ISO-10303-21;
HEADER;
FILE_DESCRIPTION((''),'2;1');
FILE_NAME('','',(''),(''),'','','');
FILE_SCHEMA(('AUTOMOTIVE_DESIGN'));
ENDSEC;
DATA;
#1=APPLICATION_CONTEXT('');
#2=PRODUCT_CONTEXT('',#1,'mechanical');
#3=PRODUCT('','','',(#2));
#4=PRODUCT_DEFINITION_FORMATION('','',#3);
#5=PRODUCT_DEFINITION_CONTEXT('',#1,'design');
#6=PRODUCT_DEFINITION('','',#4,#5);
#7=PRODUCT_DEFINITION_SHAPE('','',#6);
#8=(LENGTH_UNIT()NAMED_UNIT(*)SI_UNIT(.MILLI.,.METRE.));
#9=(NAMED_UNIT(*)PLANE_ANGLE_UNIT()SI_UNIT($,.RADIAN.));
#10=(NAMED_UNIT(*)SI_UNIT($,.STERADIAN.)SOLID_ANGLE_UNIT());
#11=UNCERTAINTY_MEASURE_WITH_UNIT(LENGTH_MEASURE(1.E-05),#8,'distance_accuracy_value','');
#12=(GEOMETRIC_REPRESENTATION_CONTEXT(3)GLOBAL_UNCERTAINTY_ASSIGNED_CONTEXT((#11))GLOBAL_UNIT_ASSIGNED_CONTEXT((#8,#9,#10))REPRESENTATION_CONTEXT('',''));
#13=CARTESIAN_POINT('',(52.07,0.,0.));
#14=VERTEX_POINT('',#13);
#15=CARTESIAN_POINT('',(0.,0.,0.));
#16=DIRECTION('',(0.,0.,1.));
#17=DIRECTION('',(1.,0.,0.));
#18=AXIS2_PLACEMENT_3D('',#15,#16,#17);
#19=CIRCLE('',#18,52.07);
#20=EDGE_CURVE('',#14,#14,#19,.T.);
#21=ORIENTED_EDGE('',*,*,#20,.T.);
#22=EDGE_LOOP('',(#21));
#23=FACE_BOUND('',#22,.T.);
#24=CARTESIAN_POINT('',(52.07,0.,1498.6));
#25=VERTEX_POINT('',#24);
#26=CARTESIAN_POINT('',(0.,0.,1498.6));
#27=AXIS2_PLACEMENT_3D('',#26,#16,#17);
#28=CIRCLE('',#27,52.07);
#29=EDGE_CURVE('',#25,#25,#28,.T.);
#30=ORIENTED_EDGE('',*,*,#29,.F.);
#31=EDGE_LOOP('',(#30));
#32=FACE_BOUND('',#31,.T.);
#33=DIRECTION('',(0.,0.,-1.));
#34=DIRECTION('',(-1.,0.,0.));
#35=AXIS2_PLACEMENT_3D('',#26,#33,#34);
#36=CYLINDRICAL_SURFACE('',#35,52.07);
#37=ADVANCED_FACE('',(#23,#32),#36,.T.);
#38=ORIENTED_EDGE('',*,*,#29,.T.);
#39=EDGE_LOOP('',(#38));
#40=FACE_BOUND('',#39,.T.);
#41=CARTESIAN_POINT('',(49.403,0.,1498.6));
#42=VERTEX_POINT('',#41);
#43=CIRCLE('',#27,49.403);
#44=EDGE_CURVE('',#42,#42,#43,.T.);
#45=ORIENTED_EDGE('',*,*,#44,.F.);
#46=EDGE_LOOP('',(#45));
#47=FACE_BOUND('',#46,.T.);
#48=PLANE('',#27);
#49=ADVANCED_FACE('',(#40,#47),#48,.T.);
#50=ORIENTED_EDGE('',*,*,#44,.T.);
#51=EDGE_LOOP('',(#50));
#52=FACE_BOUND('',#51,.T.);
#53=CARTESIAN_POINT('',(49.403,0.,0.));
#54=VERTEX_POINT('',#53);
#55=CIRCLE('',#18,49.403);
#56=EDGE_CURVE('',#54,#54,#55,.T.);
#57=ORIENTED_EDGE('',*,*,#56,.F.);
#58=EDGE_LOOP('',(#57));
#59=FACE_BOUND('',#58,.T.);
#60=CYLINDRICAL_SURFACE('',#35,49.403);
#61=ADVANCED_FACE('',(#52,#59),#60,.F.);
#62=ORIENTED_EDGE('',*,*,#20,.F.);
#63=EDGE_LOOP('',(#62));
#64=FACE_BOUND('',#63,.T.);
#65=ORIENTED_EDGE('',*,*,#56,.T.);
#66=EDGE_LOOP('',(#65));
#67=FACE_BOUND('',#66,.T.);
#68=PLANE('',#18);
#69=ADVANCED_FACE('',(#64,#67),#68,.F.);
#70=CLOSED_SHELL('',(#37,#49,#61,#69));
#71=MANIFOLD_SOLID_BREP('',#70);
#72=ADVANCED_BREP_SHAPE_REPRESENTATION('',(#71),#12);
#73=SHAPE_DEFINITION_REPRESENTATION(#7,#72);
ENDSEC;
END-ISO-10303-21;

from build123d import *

# Parameters (mm, degrees)
SKETCH1_R           = 52.07
SKETCH1_R_2         = 49.403
BOSS_EXTRUDE1_DEPTH = 1498.6


with BuildPart() as part:
    # Sketch1 → Boss-Extrude1 (new body)
    with BuildSketch(Plane.XY):
        Circle(SKETCH1_R)
        Circle(SKETCH1_R_2, mode=Mode.SUBTRACT)
    extrude(amount=BOSS_EXTRUDE1_DEPTH)


solid = part.part
